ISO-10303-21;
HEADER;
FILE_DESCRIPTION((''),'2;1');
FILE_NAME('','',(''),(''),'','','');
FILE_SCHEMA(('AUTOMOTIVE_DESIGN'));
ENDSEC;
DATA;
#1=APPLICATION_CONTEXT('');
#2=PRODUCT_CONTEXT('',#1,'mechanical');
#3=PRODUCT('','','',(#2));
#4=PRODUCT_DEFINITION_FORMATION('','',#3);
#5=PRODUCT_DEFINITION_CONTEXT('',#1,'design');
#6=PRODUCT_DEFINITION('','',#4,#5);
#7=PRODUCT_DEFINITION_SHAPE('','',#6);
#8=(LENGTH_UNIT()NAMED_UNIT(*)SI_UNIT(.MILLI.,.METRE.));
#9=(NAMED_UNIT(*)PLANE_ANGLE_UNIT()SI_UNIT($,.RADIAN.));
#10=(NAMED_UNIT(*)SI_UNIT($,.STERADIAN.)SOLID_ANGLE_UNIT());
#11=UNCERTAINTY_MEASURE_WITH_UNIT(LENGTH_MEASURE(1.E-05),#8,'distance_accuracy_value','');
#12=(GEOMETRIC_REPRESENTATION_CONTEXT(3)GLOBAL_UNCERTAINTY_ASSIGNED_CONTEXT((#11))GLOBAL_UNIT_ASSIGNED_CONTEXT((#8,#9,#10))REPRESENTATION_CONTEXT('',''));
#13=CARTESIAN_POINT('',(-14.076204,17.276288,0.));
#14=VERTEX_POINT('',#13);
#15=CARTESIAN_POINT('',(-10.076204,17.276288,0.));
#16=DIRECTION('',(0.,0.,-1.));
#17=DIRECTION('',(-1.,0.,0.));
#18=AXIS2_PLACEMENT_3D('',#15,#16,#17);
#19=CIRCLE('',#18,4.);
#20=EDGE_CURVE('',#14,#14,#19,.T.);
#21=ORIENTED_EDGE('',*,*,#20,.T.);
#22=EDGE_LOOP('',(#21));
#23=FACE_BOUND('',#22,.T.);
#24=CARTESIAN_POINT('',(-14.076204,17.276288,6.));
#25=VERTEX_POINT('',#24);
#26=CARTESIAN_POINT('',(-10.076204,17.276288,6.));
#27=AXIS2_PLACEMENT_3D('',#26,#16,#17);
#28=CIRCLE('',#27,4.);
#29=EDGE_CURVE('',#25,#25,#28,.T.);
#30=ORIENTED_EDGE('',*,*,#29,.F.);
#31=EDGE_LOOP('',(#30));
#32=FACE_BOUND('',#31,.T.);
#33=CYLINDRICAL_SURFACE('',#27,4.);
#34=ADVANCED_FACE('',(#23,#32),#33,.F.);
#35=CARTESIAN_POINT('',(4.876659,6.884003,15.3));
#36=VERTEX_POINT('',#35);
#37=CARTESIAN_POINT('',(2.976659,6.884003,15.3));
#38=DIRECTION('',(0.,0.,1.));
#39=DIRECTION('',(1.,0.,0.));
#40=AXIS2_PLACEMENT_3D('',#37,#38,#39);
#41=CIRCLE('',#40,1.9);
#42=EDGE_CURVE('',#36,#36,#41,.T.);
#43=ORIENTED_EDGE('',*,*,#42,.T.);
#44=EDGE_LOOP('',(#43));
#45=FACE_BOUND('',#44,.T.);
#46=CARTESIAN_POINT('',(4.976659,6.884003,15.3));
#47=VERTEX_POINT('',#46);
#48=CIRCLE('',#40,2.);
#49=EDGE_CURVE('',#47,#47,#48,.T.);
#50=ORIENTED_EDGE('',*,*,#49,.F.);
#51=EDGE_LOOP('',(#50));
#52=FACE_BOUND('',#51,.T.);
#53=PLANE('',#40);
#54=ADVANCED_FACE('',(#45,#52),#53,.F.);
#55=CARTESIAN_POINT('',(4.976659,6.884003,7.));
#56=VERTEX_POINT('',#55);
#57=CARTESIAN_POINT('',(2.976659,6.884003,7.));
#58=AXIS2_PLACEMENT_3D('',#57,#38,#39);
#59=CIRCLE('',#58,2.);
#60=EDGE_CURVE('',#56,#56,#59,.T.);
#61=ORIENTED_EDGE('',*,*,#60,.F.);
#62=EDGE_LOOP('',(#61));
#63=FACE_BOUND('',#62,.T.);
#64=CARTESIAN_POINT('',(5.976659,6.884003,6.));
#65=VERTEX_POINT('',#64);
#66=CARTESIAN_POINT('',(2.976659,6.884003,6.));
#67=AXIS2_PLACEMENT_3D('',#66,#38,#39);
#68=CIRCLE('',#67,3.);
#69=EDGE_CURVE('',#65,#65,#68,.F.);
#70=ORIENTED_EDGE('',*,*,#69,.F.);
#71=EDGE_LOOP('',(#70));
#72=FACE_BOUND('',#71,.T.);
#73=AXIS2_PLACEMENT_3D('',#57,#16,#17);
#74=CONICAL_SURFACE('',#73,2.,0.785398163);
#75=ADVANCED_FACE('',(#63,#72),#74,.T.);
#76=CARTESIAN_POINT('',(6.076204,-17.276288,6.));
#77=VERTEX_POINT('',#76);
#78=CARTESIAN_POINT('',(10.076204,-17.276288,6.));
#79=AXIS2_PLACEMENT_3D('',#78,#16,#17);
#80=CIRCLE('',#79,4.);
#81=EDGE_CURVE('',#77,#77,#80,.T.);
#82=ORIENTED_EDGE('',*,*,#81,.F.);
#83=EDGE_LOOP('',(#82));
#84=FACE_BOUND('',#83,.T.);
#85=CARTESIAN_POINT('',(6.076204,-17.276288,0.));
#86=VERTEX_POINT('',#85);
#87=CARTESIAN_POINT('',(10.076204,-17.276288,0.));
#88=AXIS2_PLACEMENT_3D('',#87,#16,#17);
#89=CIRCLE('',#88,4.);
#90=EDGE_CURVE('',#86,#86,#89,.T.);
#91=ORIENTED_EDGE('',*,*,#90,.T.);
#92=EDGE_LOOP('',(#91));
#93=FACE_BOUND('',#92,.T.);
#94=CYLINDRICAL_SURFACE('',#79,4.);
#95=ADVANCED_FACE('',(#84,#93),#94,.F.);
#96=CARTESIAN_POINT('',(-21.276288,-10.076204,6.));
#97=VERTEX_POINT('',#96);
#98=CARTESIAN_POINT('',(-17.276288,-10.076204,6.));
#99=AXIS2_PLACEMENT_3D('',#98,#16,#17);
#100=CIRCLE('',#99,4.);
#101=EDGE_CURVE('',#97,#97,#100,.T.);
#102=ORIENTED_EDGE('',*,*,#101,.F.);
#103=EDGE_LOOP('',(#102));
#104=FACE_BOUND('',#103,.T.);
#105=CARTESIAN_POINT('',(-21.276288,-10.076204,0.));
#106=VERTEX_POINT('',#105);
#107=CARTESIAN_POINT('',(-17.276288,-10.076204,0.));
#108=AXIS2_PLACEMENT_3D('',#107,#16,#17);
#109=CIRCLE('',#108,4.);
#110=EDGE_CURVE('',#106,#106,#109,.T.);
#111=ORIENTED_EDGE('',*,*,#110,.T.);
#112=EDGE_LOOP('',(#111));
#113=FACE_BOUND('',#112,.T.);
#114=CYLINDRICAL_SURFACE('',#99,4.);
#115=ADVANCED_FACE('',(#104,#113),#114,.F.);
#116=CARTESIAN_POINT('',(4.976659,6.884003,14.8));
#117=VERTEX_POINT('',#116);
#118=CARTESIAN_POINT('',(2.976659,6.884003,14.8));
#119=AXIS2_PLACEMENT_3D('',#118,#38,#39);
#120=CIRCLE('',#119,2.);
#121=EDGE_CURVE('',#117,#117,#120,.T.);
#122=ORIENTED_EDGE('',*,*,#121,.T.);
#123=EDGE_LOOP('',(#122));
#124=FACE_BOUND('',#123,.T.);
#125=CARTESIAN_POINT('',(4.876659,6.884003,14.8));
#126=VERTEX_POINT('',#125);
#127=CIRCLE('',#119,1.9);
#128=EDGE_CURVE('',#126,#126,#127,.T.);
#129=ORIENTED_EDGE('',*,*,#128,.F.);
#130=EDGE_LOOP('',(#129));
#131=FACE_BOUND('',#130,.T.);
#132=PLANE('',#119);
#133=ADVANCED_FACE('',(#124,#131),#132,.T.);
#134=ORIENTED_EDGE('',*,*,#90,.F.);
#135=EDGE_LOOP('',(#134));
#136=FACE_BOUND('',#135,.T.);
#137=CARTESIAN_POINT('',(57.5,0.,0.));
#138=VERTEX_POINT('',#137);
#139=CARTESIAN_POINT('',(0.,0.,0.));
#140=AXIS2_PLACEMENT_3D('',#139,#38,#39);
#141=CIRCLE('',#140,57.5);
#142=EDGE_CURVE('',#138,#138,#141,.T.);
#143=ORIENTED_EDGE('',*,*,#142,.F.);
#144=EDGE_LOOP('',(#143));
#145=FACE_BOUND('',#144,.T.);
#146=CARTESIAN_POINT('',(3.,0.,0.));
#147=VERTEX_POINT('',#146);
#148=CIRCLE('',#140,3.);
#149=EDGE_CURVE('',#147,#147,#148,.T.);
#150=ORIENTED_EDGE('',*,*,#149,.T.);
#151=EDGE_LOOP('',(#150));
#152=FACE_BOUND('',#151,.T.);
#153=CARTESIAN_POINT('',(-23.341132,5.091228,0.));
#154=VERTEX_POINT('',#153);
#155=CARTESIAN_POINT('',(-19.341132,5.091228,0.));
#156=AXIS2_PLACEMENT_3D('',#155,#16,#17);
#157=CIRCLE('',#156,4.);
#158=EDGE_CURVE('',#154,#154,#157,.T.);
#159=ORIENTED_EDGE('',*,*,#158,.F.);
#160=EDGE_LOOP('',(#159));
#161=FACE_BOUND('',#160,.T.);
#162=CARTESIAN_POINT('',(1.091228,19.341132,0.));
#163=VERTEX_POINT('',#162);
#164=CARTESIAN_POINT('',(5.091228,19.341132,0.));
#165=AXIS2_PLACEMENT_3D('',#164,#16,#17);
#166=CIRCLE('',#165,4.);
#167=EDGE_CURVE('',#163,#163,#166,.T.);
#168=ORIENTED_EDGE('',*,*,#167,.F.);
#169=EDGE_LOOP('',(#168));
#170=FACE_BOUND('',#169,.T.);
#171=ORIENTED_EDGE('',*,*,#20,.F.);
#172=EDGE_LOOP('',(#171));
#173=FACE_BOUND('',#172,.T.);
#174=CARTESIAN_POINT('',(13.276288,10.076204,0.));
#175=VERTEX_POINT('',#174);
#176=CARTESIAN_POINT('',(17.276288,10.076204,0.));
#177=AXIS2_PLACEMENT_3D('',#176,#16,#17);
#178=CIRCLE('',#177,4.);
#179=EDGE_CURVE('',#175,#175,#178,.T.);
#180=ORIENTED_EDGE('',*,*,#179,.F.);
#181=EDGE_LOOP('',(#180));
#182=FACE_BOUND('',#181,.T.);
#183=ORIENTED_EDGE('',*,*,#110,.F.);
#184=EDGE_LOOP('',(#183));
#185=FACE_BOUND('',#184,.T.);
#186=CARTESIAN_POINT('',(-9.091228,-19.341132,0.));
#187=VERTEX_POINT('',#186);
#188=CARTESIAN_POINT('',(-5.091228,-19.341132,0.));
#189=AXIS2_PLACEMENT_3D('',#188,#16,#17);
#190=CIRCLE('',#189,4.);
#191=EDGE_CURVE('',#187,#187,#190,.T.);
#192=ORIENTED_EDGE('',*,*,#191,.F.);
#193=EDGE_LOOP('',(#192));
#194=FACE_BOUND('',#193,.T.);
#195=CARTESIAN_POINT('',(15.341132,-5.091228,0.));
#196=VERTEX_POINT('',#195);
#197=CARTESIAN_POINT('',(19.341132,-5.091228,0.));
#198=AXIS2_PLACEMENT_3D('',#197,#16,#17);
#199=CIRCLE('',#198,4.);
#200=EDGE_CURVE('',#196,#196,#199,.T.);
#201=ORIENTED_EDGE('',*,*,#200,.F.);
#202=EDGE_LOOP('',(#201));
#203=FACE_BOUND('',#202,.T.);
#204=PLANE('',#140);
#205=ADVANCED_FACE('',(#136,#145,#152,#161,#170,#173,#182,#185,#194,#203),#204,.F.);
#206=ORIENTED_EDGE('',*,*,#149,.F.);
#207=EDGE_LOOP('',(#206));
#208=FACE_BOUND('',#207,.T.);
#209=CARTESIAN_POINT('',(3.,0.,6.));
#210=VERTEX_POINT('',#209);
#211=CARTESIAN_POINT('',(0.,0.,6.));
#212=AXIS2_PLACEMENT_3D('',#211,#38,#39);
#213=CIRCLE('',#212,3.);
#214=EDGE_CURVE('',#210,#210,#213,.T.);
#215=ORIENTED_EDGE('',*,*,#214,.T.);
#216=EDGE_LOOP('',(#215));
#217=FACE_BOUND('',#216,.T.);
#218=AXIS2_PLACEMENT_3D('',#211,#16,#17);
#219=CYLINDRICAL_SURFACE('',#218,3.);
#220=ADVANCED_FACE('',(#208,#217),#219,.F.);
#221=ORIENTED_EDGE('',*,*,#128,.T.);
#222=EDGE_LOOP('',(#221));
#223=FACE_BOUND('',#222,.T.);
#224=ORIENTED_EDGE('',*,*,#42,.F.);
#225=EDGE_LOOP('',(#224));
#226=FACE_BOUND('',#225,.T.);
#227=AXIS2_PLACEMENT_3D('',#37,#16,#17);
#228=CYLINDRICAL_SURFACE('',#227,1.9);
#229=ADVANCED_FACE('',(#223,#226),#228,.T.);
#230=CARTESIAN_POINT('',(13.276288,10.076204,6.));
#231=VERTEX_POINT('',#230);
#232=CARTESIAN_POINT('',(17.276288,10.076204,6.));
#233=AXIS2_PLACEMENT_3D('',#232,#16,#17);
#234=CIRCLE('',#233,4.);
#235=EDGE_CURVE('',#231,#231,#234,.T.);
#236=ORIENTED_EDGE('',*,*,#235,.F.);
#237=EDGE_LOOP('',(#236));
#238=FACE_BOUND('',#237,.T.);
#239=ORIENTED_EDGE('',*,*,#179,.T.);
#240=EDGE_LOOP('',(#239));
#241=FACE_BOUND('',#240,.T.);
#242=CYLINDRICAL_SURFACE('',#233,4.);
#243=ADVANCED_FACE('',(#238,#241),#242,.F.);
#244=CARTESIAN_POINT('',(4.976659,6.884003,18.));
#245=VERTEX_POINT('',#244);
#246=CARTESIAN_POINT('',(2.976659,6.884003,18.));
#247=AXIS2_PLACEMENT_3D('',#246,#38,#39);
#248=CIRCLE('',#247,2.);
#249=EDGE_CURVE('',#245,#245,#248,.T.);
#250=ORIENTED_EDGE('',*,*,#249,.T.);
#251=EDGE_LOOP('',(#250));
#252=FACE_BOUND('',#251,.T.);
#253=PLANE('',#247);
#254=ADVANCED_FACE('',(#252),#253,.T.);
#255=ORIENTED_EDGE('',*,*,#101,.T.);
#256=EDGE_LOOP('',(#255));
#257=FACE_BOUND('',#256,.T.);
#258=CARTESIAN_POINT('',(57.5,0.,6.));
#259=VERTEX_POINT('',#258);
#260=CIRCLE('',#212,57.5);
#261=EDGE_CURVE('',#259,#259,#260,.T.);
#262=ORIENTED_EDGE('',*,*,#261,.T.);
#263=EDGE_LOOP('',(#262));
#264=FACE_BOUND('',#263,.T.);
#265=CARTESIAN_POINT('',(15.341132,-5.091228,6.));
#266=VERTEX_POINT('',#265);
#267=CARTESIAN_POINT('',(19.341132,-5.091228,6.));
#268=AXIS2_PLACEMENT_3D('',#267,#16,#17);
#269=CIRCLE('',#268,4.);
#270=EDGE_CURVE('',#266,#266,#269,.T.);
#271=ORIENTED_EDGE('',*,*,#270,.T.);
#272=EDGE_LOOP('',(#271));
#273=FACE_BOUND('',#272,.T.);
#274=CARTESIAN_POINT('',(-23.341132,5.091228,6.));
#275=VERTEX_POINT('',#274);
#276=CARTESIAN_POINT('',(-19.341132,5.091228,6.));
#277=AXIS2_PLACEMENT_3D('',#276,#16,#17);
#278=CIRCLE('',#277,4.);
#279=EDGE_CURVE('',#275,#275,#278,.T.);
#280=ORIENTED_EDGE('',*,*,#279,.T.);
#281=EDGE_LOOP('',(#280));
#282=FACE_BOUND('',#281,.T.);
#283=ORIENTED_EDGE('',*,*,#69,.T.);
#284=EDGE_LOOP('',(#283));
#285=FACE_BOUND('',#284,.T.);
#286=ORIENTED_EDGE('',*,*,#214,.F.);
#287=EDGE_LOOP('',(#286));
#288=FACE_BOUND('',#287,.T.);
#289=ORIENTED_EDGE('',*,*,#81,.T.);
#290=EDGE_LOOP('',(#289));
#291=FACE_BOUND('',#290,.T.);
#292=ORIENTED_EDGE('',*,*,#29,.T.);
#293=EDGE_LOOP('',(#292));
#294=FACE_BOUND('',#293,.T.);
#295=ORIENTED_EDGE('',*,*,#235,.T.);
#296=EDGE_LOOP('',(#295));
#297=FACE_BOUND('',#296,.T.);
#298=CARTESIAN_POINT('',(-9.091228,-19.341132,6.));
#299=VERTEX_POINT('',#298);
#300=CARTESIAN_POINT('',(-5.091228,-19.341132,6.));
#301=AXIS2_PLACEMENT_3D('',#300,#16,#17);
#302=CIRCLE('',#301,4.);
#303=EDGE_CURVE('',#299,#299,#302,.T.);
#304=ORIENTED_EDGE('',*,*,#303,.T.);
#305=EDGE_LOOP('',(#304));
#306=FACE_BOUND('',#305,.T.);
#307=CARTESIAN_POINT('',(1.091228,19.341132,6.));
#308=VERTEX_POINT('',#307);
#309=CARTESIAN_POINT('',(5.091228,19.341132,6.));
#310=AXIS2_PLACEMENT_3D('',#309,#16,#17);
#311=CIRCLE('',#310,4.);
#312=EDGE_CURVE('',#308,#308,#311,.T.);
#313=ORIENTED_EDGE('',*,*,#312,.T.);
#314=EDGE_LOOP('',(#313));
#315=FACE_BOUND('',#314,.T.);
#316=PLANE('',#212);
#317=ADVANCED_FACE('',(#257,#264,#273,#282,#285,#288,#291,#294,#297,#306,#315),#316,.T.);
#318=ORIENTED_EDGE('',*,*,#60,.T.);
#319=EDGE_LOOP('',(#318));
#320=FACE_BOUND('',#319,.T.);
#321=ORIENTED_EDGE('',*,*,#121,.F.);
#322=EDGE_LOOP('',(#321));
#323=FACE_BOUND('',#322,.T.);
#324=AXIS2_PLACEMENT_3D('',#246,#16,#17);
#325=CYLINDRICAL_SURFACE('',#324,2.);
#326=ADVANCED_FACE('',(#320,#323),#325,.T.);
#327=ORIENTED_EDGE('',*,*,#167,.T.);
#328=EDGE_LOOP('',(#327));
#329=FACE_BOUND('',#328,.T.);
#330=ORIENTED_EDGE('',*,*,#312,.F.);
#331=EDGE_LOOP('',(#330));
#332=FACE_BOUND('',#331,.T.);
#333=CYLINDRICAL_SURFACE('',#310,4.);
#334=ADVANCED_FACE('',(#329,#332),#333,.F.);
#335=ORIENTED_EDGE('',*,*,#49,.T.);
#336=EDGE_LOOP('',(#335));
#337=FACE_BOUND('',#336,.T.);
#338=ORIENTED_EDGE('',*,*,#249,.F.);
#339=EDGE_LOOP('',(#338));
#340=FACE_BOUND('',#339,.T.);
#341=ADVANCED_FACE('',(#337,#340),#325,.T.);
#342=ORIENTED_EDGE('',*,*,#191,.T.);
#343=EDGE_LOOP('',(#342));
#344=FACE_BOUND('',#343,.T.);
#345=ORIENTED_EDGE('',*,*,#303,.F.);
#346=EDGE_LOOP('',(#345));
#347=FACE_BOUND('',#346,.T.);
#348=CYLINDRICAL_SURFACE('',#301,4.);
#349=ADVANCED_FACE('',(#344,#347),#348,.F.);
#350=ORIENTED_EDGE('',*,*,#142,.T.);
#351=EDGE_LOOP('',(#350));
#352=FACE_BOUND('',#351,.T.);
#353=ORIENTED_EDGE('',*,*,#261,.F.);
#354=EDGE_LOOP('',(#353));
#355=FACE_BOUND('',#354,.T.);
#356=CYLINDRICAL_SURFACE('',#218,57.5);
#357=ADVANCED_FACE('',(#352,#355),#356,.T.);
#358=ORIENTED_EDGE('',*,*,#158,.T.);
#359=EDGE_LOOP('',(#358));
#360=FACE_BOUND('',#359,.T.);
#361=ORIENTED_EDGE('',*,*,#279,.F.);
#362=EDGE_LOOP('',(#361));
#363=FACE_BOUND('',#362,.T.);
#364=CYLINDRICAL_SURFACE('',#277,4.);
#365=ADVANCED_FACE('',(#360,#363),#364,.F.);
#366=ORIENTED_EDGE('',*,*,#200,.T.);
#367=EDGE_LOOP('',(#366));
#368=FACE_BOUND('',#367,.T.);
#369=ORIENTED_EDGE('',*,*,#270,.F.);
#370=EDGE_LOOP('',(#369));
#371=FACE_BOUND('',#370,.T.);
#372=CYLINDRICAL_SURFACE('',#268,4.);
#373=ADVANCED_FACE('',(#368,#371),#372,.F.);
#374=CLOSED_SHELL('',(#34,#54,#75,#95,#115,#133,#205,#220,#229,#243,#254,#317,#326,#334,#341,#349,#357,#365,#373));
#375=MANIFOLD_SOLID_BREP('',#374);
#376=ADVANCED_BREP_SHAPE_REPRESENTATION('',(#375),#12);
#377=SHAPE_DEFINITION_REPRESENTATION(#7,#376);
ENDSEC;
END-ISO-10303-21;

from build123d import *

# Parameters (mm, degrees)
SKETCH_1_R          = 57.5
SKETCH_1_R_2        = 3
EXTRUDE_1_DEPTH     = 6
SKETCH_3_R          = 4
CUT_EXTRUDE_2_DEPTH = 82.538334543
SKETCH_4_R          = 2
EXTRUDE_2_DEPTH     = 12
CUT_EXTRUDE_START   = -3.2
SKETCH_6_R          = 2
SKETCH_6_R_2        = 1.9
CUT_EXTRUDE_3_DEPTH = 0.5
CHAMFER_1_SIZE      = 1


with BuildPart() as part:
    # 草图1 → 凸台-拉伸1 (new body)
    with BuildSketch(Plane.XY):
        Circle(SKETCH_1_R)
        Circle(SKETCH_1_R_2, mode=Mode.SUBTRACT)
    extrude(amount=EXTRUDE_1_DEPTH)

    # 草图3 → 切除-拉伸2 (cut, through all)
    with BuildSketch(Plane(origin=(0, 0, 0), x_dir=(-1, 0, 0), z_dir=(0, 0, -1))):
        with Locations((-5.091227954, 19.341132281)):
            Circle(SKETCH_3_R)
        with Locations((10.076203981, 17.276287603)):
            Circle(SKETCH_3_R)
        with Locations((19.341132281, 5.091227954)):
            Circle(SKETCH_3_R)
        with Locations((17.276287603, -10.076203981)):
            Circle(SKETCH_3_R)
        with Locations((5.091227954, -19.341132281)):
            Circle(SKETCH_3_R)
        with Locations((-10.076203981, -17.276287603)):
            Circle(SKETCH_3_R)
        with Locations((-19.341132281, -5.091227954)):
            Circle(SKETCH_3_R)
        with Locations((-17.276287603, 10.076203981)):
            Circle(SKETCH_3_R)
    extrude(amount=-CUT_EXTRUDE_2_DEPTH, mode=Mode.SUBTRACT)

    # 草图4 → 凸台-拉伸2 (add)
    with BuildSketch(Plane.XY.offset(6)):
        with Locations((2.976659474, 6.884003078)):
            Circle(SKETCH_4_R)
    extrude(amount=EXTRUDE_2_DEPTH)

    # 草图6 → 切除-拉伸3 (cut)
    with BuildSketch(Plane.XY.offset(18).offset(CUT_EXTRUDE_START)):
        with Locations((2.976659474, 6.884003078)):
            Circle(SKETCH_6_R)
        with Locations((2.976659474, 6.884003078)):
            Circle(SKETCH_6_R_2, mode=Mode.SUBTRACT)
    extrude(amount=CUT_EXTRUDE_3_DEPTH, mode=Mode.SUBTRACT)

    # 倒角1
    chamfer_1_edges = [part.edges().sort_by_distance(p)[0] for p in [
        (0.976659474, 6.884003078, 6),
    ]]
    chamfer(chamfer_1_edges, length=CHAMFER_1_SIZE)


solid = part.part
